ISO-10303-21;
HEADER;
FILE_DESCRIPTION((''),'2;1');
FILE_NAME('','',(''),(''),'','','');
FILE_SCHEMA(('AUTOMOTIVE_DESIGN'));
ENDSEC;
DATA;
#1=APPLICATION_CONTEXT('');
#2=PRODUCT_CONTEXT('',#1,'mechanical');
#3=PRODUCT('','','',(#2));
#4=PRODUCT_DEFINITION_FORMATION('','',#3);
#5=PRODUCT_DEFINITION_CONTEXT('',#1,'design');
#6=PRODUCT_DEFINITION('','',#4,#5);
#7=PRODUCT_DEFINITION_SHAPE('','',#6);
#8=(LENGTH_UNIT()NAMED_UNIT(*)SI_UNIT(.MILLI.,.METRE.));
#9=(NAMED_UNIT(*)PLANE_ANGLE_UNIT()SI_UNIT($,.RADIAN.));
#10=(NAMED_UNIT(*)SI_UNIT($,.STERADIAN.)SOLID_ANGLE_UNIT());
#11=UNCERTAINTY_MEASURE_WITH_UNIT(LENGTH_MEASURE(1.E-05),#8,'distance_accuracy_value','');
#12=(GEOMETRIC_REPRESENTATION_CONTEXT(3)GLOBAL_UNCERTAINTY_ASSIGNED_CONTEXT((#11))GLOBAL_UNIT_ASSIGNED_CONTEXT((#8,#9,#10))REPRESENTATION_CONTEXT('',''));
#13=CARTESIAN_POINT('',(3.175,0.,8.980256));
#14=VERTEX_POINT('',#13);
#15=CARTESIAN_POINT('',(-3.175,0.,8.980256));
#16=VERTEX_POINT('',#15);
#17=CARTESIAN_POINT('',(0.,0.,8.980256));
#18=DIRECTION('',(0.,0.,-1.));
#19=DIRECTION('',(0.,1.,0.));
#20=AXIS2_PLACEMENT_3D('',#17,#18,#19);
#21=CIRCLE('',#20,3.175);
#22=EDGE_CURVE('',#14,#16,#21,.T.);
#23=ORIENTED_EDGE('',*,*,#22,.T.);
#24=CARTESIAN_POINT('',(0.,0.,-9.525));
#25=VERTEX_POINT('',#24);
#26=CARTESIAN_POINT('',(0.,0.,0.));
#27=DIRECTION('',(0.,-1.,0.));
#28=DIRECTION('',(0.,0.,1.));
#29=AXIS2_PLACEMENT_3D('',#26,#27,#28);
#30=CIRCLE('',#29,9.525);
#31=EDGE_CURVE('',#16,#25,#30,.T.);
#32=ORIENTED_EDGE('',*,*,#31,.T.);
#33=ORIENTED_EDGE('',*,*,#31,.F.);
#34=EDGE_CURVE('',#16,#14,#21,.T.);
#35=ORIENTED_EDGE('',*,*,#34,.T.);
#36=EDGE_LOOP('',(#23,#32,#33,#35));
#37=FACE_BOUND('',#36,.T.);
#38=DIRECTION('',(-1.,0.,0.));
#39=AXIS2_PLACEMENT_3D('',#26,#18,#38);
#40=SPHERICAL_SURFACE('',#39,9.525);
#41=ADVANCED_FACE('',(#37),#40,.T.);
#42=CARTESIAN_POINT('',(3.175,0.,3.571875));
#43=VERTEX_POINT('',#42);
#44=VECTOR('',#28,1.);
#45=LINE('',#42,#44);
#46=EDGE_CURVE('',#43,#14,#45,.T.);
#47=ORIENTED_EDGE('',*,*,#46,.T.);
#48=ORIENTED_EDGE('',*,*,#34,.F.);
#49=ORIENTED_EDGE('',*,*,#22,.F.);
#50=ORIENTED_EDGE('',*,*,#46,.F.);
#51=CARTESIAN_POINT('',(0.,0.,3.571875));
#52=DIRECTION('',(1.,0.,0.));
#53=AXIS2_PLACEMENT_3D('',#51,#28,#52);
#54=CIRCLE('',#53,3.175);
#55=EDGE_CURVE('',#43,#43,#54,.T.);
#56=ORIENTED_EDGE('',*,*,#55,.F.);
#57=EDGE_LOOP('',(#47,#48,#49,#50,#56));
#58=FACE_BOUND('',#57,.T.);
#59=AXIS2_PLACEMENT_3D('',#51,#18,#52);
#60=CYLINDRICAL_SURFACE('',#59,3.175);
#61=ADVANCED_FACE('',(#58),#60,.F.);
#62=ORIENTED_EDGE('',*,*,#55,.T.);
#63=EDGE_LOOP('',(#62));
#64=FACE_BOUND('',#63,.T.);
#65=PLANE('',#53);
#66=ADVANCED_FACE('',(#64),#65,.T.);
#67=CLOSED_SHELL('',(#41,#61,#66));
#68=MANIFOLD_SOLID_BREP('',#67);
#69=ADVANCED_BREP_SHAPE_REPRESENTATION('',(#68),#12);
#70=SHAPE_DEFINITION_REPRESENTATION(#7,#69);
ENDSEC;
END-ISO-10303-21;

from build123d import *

# Parameters (mm, degrees)
F3_R     = 3.175
F4_DEPTH = 25.4


with BuildPart() as f1:
    # F0 (on Front) → F1 (revolve)
    with BuildSketch(Plane.XZ):
        with BuildLine():
            Line((0, -9.525), (0, 9.525))
            ThreePointArc((0, 9.525), (-9.525, 0), (0, -9.525))
        make_face()
    revolve(axis=Axis((0, 0, 0), (0, 0, -1)))

    # F3 (on offset) → F4 (cut)
    with BuildSketch(Plane.XY.offset(3.571875)):
        Circle(F3_R)
    extrude(amount=F4_DEPTH, mode=Mode.SUBTRACT)


solid = f1.part
